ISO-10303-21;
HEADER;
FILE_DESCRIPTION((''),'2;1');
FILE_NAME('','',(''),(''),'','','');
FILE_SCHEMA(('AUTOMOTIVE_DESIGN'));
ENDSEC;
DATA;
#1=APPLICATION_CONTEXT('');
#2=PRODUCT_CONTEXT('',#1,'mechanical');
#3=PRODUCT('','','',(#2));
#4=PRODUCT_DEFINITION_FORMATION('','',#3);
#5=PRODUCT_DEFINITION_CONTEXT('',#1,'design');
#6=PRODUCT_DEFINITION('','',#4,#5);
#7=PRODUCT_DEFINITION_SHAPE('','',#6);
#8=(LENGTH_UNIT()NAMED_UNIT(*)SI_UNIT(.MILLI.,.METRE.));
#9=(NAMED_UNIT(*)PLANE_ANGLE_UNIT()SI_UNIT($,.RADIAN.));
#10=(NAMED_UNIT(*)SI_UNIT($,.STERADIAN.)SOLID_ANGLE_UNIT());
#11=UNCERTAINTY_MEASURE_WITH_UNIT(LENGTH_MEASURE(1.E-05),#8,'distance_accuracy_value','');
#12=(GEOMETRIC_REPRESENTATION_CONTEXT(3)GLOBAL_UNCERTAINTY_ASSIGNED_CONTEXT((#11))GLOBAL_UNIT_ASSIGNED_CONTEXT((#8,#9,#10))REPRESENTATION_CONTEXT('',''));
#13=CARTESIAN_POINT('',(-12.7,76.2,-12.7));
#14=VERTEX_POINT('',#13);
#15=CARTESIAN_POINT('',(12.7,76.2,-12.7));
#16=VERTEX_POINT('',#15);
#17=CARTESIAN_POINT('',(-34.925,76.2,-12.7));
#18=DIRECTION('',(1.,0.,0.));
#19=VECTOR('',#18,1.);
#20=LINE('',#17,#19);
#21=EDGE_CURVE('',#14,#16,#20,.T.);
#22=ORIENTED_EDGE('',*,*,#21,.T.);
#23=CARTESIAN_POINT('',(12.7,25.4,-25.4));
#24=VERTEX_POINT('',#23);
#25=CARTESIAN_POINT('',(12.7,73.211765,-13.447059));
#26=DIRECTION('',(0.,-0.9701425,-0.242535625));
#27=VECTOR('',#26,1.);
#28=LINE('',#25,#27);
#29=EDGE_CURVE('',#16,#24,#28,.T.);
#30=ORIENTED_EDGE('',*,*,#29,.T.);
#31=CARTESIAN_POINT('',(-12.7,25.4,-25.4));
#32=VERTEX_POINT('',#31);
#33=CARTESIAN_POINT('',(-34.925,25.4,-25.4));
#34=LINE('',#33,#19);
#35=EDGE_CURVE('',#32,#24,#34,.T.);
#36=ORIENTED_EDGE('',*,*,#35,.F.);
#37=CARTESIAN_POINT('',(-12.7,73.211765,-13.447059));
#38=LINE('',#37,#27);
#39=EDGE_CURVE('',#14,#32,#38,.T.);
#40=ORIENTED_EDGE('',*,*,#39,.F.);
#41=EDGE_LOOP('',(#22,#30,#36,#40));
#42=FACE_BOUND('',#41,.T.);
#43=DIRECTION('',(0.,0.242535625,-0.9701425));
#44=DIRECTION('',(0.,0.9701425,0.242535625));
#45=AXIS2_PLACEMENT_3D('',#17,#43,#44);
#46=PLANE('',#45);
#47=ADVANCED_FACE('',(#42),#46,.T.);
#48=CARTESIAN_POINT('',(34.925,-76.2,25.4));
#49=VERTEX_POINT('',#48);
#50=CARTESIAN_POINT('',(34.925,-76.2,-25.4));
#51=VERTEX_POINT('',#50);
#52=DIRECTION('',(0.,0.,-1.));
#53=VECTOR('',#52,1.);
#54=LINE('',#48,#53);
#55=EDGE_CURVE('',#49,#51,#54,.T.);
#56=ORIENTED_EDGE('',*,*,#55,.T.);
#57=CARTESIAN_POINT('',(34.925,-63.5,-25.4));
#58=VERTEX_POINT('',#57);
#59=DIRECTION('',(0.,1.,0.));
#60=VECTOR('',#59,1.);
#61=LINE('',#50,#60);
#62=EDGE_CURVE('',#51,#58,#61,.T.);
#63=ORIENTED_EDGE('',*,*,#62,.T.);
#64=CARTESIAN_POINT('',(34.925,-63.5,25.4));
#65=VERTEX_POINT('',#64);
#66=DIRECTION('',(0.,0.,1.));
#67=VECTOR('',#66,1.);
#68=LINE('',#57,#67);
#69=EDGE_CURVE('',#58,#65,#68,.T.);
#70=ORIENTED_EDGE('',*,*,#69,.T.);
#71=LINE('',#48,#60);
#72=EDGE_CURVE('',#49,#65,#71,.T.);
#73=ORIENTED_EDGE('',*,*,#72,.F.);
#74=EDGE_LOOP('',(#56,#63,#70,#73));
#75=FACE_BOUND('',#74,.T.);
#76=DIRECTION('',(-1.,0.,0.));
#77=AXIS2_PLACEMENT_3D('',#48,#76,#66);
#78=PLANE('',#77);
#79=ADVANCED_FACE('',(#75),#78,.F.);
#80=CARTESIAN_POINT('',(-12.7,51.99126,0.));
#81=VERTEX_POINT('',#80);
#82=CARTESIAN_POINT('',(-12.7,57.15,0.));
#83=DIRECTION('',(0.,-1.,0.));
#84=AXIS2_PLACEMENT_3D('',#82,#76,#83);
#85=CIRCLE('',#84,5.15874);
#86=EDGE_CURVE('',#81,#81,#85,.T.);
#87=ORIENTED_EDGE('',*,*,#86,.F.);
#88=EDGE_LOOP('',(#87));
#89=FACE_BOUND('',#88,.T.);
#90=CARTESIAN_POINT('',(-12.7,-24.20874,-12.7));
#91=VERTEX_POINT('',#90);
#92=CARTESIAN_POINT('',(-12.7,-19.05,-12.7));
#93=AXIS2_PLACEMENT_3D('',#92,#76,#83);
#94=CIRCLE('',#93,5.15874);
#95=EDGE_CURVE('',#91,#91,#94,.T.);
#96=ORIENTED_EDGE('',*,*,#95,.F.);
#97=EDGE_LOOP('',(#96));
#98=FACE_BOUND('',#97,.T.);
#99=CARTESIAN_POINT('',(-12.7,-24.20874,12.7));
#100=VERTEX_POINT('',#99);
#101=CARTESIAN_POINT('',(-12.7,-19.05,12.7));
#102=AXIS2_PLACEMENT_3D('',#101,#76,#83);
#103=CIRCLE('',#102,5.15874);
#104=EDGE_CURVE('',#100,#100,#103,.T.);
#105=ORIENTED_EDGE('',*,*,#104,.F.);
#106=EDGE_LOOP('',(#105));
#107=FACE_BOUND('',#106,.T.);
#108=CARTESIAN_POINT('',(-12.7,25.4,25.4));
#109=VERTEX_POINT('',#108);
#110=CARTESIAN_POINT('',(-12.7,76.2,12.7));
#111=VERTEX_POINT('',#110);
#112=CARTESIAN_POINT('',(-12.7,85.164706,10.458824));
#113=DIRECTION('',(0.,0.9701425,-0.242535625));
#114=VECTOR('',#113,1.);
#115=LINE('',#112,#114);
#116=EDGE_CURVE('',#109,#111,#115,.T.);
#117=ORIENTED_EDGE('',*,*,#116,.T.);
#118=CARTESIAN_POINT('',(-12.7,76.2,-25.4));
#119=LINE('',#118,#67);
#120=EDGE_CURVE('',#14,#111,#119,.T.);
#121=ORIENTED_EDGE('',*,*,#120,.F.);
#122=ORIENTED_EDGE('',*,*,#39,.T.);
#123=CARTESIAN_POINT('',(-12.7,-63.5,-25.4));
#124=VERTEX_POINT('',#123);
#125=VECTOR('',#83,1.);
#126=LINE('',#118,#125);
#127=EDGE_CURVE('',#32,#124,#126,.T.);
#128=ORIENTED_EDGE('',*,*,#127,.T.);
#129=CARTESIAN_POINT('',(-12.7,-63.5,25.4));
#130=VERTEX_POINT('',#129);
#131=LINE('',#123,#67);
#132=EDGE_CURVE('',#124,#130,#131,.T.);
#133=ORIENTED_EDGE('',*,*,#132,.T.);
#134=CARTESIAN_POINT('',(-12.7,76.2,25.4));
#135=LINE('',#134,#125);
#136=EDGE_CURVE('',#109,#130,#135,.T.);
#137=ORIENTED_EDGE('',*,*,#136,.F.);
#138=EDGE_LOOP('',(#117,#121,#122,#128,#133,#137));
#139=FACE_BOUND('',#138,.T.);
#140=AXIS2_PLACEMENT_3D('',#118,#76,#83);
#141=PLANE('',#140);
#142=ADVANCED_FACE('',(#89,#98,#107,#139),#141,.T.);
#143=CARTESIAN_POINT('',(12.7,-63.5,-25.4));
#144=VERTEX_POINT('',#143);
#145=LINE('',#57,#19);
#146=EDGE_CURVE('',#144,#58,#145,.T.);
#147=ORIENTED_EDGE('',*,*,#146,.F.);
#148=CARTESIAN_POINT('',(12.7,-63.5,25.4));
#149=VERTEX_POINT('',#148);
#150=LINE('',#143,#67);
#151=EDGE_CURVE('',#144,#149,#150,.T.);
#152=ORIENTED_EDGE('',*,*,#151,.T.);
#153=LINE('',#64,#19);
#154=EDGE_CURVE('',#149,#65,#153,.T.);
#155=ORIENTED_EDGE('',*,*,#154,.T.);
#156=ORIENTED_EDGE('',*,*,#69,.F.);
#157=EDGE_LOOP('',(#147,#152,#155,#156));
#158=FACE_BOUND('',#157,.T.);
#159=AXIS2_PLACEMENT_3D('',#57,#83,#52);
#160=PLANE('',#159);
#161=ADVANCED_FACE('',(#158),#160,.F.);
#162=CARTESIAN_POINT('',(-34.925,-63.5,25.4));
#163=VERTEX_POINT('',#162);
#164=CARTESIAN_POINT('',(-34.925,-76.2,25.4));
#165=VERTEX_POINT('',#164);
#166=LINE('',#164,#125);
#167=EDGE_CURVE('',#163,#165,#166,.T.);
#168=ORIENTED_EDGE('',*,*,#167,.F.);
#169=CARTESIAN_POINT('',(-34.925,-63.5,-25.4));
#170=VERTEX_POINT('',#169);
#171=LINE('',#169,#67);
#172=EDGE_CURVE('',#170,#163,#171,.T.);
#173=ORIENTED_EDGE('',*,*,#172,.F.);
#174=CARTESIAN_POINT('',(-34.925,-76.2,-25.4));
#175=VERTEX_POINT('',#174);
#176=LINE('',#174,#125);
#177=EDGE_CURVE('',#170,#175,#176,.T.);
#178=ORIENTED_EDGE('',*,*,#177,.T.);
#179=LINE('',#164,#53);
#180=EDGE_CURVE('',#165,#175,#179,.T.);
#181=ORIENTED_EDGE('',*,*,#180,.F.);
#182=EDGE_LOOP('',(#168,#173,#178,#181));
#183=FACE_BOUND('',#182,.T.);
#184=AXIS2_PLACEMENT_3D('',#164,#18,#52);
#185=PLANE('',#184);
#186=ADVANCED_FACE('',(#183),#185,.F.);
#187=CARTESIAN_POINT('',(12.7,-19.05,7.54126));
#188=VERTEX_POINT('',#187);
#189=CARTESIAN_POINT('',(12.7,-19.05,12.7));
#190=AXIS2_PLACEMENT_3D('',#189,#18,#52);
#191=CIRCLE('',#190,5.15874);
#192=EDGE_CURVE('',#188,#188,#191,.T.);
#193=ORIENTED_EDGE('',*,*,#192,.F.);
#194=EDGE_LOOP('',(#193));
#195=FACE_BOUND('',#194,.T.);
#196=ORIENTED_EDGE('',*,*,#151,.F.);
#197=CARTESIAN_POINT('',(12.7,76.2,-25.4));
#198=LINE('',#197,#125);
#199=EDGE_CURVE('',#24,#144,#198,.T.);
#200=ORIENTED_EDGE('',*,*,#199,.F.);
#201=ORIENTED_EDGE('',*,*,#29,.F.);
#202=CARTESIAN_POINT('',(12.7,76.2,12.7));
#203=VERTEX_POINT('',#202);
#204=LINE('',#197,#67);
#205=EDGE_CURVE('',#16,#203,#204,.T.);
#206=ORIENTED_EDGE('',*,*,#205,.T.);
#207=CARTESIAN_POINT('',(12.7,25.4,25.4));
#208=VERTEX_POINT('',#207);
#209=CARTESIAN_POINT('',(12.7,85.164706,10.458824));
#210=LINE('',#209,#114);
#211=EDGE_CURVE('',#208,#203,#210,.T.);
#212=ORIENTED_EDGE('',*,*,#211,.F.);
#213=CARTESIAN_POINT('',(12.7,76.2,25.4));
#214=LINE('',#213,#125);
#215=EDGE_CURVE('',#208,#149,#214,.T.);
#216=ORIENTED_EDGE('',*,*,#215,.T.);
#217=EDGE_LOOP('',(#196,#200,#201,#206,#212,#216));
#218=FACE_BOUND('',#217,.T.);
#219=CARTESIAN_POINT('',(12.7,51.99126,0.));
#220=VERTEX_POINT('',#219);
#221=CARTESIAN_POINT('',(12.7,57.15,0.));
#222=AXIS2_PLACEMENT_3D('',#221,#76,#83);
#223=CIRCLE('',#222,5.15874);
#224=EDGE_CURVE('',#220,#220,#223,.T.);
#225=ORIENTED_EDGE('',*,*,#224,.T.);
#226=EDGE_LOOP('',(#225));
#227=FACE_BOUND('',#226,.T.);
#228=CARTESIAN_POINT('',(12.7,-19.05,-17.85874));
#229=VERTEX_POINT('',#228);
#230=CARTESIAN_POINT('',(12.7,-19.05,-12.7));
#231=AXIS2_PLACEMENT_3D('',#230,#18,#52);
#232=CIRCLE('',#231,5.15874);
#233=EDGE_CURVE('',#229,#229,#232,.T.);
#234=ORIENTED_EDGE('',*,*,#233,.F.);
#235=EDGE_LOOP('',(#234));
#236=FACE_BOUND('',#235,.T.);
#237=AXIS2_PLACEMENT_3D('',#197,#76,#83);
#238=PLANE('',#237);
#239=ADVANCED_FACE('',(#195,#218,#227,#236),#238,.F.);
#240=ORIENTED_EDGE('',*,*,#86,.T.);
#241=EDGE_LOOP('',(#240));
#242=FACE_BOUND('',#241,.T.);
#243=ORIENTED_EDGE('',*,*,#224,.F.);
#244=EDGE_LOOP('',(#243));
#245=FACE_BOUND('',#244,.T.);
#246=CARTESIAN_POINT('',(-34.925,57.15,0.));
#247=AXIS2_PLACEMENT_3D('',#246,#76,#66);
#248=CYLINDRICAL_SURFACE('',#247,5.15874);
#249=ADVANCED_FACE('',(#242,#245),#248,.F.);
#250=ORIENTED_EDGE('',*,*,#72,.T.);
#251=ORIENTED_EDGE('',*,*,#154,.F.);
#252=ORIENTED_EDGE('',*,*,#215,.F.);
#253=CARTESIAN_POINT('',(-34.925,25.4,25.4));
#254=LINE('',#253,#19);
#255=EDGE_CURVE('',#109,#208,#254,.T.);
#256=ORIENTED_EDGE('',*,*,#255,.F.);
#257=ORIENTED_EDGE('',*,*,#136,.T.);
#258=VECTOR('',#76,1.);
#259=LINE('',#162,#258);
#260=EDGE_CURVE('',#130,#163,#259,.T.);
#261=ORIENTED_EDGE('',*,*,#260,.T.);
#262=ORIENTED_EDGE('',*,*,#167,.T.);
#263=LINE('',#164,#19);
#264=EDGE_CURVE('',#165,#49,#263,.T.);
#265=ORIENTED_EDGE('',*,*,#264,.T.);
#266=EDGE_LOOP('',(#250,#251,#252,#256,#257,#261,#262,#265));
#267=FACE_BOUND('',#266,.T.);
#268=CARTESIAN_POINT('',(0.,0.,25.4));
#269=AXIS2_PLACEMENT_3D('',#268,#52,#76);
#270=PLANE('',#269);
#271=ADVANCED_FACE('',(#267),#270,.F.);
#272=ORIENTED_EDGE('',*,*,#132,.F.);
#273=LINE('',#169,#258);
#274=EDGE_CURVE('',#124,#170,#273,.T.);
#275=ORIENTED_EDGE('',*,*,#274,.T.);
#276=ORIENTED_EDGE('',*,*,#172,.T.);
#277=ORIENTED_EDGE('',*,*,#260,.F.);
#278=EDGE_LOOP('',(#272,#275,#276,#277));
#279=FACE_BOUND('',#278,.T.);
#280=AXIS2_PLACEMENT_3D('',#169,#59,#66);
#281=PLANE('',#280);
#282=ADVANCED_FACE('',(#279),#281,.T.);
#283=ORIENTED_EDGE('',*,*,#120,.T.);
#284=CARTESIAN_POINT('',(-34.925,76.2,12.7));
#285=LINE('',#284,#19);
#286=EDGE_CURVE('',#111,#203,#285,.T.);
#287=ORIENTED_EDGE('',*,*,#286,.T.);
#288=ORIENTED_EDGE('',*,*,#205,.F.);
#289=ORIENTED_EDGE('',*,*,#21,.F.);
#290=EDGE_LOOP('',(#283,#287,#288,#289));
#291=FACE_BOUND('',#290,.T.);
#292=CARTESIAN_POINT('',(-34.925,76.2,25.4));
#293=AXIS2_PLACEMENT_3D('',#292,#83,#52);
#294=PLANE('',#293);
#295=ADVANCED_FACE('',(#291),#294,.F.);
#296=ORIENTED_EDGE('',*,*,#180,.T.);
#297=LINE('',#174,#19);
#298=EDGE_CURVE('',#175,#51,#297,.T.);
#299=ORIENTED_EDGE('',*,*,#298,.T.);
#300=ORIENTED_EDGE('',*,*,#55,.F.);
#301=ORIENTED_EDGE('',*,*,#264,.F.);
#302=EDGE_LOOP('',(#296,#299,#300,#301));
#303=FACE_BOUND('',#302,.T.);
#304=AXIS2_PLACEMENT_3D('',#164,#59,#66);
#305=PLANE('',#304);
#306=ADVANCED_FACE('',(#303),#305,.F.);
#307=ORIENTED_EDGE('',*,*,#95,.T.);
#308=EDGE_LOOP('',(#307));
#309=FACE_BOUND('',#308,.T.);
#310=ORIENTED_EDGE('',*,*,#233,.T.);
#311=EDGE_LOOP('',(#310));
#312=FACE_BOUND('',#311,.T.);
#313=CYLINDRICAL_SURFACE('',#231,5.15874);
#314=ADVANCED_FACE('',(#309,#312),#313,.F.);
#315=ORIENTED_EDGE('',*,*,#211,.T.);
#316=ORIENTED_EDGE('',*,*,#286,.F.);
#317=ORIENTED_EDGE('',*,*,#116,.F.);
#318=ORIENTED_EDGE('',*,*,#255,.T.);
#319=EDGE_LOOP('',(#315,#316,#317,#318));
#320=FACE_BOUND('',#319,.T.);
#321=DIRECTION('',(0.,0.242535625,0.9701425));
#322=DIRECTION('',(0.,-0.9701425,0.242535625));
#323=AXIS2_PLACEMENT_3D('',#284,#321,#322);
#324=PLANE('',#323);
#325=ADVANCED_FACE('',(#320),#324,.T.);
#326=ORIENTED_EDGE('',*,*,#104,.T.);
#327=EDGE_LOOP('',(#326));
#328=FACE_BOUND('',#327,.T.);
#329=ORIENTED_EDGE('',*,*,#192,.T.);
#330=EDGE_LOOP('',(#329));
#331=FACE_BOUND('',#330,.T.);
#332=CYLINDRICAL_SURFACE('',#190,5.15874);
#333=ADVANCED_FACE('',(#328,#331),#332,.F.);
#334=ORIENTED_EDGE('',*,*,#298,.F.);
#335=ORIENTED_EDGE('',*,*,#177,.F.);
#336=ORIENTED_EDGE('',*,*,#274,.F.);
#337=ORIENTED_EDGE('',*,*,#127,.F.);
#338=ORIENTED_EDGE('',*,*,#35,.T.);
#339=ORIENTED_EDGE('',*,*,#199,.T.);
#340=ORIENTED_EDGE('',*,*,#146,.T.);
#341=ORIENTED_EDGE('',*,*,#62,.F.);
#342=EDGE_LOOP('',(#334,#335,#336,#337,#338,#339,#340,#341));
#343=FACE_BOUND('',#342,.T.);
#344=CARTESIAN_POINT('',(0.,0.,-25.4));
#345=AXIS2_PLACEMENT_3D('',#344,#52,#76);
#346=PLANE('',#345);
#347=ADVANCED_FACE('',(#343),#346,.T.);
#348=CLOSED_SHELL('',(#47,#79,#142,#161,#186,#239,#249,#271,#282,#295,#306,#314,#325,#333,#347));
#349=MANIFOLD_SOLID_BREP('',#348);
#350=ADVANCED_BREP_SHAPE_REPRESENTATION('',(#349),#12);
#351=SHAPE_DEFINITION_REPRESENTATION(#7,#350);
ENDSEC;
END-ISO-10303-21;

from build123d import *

# Parameters (mm, degrees)
SKETCH27_W                 = 69.85
SKETCH27_H                 = 152.4
BOSS_EXTRUDE4_DEPTH        = 25.4
SKETCH28_W                 = 22.225
SKETCH28_H                 = 139.7
CUT_EXTRUDE5_DEPTH         = 26.4
SKETCH30_OUTSIDE_W         = 87.834
SKETCH30_OUTSIDE_H         = 189.434
CUT_EXTRUDE6_DEPTH         = 35.925
CUT_EXTRUDE6_DEPTH_BACK    = 35.925
F_3_8_CLEARANCE_HOLE4_D    = 10.31748
AUXILIARY_MOUNTING_HOLES_D = 10.31748


with BuildPart() as part:
    # Sketch27 → Boss-Extrude4 (new body, symmetric)
    with BuildSketch(Plane.XY):
        Rectangle(SKETCH27_W, SKETCH27_H)
    extrude(amount=BOSS_EXTRUDE4_DEPTH, both=True)

    # Sketch28 → Cut-Extrude5 (cut, symmetric)
    with BuildSketch(Plane.XY):
        with Locations((23.8125, 6.35)):
            Rectangle(SKETCH28_W, SKETCH28_H)
    cut_extrude5 = extrude(amount=CUT_EXTRUDE5_DEPTH, both=True, mode=Mode.SUBTRACT)

    # Mirror1: Cut-Extrude5 across plane
    add(cut_extrude5.mirror(Plane(origin=(0, 0, 0), x_dir=(0, 0, 1), z_dir=(1, 0, 0))), mode=Mode.SUBTRACT)

    # Sketch30 outside → Cut-Extrude6 (cut, two sides)
    with BuildSketch(Plane(origin=(0, 0, 0), x_dir=(0, 0, -1), z_dir=(1, 0, 0))) as cut_extrude6_sk:
        Rectangle(SKETCH30_OUTSIDE_W, SKETCH30_OUTSIDE_H)
        Polygon((-25.4, 25.4), (-25.4, -76.2), (25.4, -76.2), (25.4, 25.4), (12.7, 76.2), (-12.7, 76.2), align=None, mode=Mode.SUBTRACT)
    extrude(amount=CUT_EXTRUDE6_DEPTH, mode=Mode.SUBTRACT)
    extrude(cut_extrude6_sk.sketch, amount=-CUT_EXTRUDE6_DEPTH_BACK, mode=Mode.SUBTRACT)

    # 3/8 Clearance Hole4 (through all)
    with Locations(Plane.ZY.offset(34.925)):
        with Locations((25.4, 82.55), (0, 57.15)):
            Hole(F_3_8_CLEARANCE_HOLE4_D / 2)

    # Auxiliary Mounting Holes (through all)
    with Locations(Plane(origin=(12.7, 0, 0), x_dir=(0, 0, -1), z_dir=(1, 0, 0))):
        with Locations((-12.7, -19.05), (12.7, -19.05)):
            Hole(AUXILIARY_MOUNTING_HOLES_D / 2)


solid = part.part
